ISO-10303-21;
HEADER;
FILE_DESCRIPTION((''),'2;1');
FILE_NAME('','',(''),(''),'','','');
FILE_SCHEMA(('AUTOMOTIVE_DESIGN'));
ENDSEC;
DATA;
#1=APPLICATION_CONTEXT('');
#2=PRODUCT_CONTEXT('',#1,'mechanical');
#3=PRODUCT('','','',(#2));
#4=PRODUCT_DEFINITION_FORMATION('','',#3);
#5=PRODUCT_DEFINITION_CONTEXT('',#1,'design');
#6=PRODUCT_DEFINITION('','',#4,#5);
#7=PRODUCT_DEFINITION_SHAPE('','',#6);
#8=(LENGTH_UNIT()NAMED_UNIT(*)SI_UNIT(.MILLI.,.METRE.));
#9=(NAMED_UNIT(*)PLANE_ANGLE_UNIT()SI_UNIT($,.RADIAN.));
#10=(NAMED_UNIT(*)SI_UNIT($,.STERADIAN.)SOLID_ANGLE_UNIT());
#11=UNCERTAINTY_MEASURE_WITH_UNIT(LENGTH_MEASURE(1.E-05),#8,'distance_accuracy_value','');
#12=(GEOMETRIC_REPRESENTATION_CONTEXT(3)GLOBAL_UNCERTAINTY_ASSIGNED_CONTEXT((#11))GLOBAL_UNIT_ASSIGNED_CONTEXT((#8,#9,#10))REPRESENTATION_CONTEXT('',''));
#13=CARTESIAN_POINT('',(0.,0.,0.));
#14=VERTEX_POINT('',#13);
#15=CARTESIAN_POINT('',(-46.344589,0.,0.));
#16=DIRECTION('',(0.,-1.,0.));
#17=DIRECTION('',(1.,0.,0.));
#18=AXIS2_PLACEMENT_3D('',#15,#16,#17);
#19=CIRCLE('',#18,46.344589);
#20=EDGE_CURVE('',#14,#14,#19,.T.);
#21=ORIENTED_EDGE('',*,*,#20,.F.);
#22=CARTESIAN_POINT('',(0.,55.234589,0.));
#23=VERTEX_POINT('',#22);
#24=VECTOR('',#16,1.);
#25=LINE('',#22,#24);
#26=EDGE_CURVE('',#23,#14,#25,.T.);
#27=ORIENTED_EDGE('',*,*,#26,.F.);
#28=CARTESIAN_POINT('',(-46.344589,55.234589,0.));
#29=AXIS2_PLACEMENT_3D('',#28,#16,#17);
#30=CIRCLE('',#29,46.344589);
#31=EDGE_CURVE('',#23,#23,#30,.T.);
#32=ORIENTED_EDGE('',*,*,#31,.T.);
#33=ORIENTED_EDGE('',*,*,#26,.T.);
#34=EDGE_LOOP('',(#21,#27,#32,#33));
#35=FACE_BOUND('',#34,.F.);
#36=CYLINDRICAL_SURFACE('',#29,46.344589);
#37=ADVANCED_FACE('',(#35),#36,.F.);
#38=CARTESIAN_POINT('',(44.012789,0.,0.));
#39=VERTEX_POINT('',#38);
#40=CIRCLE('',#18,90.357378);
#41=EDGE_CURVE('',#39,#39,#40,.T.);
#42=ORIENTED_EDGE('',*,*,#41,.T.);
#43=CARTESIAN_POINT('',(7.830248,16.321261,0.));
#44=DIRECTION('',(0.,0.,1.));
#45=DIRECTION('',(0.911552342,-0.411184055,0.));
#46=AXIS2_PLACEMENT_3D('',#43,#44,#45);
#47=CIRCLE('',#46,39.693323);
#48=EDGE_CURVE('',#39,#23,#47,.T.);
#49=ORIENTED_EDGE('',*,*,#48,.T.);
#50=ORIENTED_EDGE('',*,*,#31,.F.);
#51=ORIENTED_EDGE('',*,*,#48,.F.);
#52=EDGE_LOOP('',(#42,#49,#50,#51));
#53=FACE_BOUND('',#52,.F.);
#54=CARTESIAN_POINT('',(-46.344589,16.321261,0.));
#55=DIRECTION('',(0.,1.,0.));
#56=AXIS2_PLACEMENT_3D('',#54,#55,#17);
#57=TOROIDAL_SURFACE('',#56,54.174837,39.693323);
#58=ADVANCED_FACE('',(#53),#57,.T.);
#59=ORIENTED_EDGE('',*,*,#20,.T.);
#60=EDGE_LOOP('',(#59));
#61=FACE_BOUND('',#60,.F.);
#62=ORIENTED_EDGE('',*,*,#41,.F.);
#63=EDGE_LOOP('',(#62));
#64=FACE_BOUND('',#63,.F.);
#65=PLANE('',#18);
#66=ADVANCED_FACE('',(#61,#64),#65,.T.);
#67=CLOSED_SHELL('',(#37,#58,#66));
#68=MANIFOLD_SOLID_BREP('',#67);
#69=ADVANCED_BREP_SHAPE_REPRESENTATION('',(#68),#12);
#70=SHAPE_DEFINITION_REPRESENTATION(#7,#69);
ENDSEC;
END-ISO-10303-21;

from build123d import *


with BuildPart() as f1:
    # F0 (on Top) → F1 (revolve)
    with BuildSketch(Plane.XY):
        with BuildLine():
            Line((0, 0), (44.012789, 0))
            ThreePointArc((44.012789, 0), (38.873413, 41.057505), (0, 55.234589))
            Line((0, 55.234589), (0, 0))
        make_face()
    revolve(axis=Axis((-46.344589, 11.804754, 0), (0, -1, 0)))


solid = f1.part
